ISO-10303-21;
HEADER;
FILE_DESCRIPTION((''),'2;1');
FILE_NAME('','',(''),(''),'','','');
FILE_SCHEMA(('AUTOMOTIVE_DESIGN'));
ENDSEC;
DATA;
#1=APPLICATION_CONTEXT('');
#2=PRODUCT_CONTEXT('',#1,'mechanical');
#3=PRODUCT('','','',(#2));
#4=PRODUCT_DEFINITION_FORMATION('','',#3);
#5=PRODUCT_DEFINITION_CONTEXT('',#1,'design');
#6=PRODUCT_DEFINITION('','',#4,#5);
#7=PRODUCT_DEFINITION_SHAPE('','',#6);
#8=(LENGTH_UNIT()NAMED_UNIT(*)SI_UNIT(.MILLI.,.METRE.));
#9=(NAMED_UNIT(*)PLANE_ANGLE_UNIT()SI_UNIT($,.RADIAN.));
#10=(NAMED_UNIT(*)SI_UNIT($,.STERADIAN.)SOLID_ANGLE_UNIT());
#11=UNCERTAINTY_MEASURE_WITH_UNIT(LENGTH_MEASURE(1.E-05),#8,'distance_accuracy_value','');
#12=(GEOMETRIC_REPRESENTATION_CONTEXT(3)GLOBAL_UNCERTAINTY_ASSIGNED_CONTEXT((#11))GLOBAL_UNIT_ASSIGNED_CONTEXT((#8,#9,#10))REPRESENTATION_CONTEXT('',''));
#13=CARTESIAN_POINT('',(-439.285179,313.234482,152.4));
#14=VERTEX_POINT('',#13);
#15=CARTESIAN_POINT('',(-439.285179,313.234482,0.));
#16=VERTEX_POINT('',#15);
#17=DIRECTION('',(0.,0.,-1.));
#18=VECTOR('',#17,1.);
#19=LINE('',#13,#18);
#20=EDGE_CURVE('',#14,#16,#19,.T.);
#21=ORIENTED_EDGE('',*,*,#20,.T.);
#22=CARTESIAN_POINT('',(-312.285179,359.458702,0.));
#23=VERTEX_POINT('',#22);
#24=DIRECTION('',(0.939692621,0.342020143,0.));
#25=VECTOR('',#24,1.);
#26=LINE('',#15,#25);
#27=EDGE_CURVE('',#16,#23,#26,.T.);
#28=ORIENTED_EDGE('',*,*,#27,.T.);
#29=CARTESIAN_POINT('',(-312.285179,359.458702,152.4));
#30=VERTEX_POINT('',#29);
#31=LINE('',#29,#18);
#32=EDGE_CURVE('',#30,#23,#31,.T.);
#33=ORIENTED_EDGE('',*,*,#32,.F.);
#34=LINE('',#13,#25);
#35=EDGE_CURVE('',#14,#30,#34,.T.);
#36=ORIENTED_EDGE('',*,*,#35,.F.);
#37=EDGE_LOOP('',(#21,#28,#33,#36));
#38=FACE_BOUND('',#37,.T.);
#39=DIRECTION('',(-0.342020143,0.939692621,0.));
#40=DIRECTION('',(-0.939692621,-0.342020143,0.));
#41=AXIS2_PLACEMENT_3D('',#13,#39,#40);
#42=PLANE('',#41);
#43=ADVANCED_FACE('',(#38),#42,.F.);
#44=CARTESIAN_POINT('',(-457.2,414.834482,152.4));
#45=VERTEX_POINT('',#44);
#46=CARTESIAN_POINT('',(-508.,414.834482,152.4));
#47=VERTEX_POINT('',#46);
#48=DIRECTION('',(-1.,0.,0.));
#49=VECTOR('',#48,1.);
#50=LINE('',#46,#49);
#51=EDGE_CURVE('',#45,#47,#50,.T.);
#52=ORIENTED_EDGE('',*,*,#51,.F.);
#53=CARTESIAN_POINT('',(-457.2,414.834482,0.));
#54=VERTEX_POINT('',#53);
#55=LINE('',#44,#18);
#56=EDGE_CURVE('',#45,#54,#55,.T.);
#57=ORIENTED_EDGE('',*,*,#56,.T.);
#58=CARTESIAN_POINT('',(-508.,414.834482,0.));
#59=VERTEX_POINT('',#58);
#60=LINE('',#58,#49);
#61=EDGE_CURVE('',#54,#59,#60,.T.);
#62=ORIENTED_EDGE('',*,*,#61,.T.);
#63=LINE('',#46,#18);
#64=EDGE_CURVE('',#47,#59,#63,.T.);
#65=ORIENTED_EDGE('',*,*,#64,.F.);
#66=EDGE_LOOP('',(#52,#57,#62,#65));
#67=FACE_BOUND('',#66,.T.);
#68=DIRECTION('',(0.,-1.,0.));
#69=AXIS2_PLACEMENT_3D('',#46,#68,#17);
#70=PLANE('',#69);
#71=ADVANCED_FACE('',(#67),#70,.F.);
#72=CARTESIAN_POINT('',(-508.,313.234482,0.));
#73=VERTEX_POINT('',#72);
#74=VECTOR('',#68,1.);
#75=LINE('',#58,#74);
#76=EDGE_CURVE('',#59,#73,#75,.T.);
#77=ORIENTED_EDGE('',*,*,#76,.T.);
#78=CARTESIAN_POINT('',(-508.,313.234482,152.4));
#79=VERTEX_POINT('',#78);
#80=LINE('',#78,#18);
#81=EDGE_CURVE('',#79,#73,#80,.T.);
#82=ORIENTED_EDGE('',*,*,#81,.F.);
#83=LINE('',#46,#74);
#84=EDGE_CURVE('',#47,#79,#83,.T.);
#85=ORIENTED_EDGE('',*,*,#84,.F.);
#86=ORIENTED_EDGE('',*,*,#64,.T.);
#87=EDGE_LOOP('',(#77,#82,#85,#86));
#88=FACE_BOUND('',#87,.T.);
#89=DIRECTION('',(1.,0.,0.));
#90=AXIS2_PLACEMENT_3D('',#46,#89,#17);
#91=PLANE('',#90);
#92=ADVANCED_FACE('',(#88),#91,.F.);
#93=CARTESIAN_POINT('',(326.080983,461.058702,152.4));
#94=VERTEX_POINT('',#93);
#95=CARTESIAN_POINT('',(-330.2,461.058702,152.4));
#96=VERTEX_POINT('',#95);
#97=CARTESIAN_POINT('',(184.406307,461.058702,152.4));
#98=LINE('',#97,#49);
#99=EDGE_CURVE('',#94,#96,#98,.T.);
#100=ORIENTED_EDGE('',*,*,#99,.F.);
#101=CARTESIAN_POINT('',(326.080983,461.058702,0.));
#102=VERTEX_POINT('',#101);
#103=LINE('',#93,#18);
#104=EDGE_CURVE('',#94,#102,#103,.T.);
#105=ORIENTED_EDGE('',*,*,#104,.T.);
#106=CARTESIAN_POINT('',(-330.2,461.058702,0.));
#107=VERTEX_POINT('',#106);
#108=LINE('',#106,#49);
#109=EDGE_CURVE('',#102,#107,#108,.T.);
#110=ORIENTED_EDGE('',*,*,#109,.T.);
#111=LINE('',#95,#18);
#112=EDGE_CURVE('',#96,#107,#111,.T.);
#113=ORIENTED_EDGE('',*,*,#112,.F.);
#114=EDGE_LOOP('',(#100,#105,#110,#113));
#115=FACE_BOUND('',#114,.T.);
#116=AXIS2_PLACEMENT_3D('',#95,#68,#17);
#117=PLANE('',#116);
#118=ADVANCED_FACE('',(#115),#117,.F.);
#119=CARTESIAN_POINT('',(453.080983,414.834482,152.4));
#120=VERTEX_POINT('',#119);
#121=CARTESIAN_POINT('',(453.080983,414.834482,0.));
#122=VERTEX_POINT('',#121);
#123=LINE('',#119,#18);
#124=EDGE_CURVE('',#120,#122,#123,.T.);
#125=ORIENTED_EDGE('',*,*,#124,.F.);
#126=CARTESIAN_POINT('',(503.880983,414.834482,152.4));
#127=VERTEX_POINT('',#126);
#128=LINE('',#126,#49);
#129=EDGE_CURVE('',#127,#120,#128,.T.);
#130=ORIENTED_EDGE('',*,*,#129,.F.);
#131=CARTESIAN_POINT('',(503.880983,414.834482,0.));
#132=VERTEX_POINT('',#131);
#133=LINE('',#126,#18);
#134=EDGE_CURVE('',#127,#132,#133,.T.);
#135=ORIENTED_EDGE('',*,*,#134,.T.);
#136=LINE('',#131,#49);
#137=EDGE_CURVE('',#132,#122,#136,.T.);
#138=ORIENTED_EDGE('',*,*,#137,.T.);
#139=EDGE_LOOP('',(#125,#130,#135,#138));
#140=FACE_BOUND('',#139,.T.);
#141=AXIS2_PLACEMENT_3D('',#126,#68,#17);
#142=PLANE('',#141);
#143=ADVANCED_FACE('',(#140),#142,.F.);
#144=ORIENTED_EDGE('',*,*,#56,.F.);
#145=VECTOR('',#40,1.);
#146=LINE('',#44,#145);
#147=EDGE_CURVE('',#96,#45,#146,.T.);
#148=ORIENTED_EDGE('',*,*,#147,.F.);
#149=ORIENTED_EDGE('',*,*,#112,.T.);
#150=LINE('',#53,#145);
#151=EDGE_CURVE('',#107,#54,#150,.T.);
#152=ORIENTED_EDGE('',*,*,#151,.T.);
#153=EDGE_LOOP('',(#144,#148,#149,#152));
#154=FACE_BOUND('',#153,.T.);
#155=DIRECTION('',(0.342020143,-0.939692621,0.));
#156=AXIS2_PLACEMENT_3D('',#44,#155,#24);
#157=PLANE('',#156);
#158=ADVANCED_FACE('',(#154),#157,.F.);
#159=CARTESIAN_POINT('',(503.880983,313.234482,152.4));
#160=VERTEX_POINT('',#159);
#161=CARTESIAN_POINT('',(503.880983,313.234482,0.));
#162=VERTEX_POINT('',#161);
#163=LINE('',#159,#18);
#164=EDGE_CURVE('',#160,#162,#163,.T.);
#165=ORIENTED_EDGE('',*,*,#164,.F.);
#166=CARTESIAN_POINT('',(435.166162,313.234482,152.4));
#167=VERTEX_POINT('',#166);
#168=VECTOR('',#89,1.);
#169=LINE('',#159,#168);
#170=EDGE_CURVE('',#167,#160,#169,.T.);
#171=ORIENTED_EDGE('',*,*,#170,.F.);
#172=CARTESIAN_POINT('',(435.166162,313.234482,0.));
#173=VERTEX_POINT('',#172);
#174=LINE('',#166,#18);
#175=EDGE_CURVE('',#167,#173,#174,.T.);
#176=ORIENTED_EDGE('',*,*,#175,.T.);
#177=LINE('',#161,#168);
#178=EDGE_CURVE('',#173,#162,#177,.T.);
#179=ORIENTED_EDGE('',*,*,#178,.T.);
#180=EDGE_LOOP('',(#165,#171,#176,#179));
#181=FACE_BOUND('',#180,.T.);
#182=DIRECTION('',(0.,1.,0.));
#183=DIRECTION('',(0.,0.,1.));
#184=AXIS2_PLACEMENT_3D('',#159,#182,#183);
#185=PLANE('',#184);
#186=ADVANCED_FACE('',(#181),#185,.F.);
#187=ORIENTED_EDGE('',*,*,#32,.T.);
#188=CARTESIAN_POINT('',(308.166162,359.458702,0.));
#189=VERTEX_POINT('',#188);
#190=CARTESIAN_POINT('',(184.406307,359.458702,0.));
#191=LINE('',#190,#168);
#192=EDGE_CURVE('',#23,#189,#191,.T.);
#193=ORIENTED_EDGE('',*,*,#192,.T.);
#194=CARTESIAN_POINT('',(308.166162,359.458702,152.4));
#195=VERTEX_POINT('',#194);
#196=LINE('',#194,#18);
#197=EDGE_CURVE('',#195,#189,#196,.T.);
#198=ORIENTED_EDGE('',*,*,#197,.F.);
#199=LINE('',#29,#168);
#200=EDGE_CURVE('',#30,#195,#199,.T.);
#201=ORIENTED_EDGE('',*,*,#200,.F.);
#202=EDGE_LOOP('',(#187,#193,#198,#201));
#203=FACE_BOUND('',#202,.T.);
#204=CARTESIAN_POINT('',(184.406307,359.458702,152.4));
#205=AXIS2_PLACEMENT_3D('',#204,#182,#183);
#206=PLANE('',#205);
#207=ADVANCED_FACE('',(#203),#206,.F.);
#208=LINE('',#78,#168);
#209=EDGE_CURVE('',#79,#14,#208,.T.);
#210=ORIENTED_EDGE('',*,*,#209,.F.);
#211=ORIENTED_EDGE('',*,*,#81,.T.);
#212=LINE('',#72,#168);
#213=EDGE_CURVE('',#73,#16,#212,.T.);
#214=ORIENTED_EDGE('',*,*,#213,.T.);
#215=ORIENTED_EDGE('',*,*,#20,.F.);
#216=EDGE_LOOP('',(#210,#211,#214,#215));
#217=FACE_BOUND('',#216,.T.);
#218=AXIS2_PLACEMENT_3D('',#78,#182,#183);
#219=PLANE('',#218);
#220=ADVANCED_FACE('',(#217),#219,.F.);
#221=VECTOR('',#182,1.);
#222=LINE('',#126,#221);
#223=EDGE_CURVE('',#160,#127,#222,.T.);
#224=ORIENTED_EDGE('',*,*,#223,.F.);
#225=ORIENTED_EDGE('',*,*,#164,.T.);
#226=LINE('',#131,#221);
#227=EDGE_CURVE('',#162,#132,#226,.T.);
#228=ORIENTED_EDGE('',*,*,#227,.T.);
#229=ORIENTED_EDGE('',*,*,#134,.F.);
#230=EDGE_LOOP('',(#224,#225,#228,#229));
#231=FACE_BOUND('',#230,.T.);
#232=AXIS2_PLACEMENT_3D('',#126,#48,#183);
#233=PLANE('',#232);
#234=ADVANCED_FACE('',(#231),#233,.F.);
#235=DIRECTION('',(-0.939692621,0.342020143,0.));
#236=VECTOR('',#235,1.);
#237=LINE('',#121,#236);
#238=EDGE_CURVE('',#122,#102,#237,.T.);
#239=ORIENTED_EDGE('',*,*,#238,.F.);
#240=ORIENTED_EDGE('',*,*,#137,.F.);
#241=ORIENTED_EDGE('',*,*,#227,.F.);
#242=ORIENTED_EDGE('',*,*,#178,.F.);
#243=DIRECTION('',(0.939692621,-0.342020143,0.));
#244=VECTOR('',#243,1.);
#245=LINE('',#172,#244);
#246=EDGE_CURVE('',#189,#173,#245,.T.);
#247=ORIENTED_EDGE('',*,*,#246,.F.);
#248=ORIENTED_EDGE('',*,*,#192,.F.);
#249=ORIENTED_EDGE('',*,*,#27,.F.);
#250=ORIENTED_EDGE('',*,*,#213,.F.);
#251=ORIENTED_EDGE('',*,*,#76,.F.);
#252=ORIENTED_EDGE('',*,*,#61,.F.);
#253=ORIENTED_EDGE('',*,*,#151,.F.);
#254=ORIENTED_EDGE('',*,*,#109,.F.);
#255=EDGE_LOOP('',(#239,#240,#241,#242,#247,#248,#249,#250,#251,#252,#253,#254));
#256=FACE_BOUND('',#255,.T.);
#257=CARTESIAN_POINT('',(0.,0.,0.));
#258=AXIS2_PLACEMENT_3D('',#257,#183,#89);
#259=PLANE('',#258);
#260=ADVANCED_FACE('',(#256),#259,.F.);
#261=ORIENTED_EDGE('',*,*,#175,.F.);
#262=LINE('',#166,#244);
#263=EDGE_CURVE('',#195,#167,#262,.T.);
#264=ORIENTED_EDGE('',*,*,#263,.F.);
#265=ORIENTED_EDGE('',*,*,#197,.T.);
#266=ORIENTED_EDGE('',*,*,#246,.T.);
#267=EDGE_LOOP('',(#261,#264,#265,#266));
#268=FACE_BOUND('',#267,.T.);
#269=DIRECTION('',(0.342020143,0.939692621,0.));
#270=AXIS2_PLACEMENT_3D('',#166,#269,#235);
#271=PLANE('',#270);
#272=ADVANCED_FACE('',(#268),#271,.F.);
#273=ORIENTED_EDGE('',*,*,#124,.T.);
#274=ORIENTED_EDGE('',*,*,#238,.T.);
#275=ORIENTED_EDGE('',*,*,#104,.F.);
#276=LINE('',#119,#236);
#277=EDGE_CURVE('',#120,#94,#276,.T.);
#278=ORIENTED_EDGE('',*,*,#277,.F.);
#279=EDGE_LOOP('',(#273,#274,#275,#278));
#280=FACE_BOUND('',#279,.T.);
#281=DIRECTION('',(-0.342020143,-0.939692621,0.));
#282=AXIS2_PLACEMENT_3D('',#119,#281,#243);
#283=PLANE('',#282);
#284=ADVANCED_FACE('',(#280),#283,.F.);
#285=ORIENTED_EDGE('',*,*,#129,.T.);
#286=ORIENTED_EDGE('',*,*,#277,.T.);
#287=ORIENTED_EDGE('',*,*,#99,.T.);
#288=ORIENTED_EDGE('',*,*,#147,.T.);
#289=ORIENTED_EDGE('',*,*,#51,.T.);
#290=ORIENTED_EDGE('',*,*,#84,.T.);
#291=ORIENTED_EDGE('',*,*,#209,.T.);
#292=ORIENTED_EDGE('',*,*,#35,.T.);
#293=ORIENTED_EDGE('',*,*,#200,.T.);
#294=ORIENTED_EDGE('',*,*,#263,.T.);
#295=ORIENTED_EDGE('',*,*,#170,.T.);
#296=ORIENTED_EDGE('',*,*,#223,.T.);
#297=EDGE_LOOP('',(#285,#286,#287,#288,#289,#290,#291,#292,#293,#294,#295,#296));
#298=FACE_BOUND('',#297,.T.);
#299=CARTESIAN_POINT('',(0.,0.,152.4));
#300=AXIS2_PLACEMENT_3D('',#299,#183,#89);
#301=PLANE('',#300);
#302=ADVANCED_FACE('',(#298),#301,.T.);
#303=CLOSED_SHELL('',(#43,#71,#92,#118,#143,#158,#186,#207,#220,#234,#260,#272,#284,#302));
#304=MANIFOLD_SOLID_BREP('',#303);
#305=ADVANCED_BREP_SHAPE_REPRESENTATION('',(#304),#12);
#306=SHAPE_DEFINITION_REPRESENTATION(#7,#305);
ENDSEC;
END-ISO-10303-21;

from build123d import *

# Parameters (mm, degrees)
BOSS_EXTRUDE1_DEPTH = 152.4


with BuildPart() as part:
    # Sketch1 → Boss-Extrude1 (new body)
    with BuildSketch(Plane.XY):
        Polygon((-508, 414.834481954), (-457.2, 414.834481954), (-330.2, 461.058701706), (184.406307369, 461.058701706), (326.08098336, 461.058701706), (453.08098336, 414.834481954), (503.88098336, 414.834481954), (503.88098336, 313.234481954), (435.16616212, 313.234481954), (308.16616212, 359.458701706), (184.406307369, 359.458701706), (-312.28517876, 359.458701706), (-439.28517876, 313.234481954), (-508, 313.234481954), align=None)
    extrude(amount=BOSS_EXTRUDE1_DEPTH)


solid = part.part
